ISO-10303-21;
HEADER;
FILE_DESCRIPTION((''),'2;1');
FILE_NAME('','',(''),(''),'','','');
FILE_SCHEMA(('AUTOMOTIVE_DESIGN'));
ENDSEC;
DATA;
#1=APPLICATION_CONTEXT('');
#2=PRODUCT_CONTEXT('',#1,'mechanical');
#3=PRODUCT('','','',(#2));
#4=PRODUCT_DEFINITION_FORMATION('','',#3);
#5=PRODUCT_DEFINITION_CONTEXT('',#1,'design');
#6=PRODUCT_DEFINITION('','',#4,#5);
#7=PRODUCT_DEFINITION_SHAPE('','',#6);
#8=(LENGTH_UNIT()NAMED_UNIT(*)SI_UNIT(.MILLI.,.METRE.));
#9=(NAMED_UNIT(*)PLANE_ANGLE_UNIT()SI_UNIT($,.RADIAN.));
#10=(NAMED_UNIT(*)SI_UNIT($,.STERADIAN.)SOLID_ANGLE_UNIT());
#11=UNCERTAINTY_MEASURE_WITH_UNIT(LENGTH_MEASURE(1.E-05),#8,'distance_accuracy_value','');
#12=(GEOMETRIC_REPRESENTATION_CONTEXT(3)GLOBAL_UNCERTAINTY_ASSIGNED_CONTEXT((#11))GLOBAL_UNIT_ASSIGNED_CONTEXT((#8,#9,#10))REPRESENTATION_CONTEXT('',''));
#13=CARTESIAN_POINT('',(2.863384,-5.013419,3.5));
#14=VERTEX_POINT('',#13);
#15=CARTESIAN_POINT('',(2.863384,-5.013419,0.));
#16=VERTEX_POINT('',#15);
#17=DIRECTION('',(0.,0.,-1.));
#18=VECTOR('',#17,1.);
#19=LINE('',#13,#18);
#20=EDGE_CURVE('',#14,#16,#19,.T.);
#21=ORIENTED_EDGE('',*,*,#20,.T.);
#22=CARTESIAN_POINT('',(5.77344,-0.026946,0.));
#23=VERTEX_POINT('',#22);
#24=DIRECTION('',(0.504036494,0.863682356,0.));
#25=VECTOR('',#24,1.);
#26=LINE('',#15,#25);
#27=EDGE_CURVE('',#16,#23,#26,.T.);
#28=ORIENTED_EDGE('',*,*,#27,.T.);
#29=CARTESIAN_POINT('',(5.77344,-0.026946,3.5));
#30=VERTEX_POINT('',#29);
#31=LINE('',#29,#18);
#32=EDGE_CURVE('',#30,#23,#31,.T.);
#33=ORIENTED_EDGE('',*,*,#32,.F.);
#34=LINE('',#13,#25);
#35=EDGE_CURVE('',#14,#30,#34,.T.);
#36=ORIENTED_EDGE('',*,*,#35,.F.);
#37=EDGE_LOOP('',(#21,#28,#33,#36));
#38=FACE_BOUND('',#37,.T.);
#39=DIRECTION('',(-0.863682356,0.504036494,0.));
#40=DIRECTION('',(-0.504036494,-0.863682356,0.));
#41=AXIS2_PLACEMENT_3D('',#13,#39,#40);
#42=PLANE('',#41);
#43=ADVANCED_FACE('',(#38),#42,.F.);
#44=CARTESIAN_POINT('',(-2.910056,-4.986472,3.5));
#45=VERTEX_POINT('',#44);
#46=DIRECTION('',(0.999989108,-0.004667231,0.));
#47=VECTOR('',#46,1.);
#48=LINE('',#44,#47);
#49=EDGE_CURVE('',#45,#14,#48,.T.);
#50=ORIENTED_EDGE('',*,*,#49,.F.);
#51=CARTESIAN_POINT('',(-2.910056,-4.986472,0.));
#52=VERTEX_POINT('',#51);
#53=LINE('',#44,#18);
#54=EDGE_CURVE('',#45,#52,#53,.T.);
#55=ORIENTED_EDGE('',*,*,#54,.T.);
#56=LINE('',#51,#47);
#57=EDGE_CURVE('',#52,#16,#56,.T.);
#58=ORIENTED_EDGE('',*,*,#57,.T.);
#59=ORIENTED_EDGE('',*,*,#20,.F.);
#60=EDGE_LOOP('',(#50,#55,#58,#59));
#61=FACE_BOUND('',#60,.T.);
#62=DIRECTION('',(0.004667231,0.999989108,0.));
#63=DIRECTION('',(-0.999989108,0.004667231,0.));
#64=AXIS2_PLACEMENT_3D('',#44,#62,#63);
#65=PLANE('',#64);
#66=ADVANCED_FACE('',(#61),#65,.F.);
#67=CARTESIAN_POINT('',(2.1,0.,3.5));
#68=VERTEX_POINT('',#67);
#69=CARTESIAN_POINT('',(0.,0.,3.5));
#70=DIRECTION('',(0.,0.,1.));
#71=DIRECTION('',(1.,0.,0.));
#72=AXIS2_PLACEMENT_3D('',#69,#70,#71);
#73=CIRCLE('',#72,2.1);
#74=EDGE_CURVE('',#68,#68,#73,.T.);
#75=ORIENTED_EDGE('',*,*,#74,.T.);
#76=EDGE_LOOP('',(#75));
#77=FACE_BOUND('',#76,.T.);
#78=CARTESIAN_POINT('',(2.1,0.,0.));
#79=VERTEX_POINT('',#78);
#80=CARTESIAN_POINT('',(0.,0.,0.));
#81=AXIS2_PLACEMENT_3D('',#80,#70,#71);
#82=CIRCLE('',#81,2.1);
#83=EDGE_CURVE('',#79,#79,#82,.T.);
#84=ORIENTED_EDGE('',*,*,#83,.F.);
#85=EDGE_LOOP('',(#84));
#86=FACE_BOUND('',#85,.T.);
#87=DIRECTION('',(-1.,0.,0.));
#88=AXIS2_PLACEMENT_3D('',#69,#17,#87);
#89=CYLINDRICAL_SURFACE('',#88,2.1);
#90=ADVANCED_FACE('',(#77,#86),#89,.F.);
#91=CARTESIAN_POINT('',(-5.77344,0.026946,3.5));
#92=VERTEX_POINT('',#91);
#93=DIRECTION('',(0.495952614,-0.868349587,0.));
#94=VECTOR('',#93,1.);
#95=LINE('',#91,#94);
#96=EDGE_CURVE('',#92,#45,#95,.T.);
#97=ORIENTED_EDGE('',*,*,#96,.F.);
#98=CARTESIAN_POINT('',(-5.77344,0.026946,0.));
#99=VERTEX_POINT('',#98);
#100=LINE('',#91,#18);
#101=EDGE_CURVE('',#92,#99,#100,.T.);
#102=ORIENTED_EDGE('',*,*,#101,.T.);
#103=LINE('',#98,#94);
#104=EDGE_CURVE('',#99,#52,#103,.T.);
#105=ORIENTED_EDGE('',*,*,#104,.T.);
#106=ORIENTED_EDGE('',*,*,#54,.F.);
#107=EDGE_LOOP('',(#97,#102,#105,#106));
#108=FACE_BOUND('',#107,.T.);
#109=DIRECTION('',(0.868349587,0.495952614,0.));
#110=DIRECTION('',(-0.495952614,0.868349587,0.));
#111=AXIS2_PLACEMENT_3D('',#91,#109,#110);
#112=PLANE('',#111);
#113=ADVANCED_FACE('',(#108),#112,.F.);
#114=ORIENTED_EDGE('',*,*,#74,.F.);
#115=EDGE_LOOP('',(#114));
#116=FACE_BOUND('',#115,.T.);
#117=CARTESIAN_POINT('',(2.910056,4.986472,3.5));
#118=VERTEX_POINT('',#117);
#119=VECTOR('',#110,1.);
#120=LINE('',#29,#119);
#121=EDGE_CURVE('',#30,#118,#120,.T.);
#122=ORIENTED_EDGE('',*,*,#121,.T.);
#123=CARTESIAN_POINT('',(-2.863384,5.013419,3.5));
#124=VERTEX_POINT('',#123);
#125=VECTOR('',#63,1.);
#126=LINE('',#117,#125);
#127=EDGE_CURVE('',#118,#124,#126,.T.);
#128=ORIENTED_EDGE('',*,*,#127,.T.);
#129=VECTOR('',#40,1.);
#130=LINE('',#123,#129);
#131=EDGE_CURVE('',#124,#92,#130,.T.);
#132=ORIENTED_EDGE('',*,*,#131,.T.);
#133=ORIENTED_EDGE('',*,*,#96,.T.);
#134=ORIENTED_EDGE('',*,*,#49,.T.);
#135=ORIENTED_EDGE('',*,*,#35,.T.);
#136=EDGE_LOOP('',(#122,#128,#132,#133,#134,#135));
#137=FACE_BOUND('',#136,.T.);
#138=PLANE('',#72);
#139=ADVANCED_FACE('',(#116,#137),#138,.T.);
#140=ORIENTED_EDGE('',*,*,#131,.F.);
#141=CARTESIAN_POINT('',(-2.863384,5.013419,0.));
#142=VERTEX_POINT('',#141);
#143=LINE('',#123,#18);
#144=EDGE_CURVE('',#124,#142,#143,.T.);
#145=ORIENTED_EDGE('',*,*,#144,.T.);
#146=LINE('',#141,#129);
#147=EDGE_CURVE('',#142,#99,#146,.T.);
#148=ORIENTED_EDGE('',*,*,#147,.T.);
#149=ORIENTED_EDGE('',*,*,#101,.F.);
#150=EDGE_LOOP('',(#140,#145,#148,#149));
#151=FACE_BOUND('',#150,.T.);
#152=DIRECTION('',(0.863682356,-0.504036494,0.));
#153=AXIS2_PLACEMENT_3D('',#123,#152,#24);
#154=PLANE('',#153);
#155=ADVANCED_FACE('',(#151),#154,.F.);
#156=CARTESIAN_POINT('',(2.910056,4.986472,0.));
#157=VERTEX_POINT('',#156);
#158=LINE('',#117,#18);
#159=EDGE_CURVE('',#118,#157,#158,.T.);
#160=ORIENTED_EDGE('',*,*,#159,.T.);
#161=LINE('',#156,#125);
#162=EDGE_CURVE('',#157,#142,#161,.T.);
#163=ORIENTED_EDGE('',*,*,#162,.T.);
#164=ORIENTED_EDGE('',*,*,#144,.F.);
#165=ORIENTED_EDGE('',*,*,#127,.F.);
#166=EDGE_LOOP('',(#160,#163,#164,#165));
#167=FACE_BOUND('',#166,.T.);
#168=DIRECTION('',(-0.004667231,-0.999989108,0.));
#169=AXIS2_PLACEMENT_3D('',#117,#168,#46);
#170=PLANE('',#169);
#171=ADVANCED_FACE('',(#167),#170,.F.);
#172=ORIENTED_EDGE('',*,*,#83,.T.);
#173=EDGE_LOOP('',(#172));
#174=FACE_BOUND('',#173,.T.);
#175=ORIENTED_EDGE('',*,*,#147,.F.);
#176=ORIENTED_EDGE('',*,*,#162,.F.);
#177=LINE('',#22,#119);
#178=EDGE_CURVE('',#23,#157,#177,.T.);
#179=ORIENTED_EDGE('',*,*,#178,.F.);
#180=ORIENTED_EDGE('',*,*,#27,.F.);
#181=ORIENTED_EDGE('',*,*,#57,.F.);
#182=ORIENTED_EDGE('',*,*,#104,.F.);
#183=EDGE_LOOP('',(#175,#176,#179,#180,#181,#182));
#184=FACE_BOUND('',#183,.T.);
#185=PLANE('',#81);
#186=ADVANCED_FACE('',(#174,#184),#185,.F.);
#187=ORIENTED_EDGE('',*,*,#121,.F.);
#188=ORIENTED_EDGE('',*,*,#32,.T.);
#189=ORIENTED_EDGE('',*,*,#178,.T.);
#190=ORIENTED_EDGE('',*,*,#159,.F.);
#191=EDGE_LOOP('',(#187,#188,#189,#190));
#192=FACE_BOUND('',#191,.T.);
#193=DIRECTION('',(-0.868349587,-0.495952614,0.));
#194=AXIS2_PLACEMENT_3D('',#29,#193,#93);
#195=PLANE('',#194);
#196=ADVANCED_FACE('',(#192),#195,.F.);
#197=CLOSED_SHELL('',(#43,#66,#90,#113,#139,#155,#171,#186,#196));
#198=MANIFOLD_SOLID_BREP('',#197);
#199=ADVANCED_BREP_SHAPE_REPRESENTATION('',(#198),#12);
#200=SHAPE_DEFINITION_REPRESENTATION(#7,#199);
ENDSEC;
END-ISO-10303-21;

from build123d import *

# Parameters (mm, degrees)
SKETCH_1_R      = 2.1
EXTRUDE_1_DEPTH = 3.5


with BuildPart() as part:
    # 草图1 → 凸台-拉伸1 (new body)
    with BuildSketch(Plane.XY):
        Polygon((-2.863383752, 5.013418676), (-5.773439809, 0.026946269), (-2.910056058, -4.986472408), (2.863383752, -5.013418676), (5.773439809, -0.026946269), (2.910056058, 4.986472408), align=None)
        Circle(SKETCH_1_R, mode=Mode.SUBTRACT)
    extrude(amount=EXTRUDE_1_DEPTH)


solid = part.part
